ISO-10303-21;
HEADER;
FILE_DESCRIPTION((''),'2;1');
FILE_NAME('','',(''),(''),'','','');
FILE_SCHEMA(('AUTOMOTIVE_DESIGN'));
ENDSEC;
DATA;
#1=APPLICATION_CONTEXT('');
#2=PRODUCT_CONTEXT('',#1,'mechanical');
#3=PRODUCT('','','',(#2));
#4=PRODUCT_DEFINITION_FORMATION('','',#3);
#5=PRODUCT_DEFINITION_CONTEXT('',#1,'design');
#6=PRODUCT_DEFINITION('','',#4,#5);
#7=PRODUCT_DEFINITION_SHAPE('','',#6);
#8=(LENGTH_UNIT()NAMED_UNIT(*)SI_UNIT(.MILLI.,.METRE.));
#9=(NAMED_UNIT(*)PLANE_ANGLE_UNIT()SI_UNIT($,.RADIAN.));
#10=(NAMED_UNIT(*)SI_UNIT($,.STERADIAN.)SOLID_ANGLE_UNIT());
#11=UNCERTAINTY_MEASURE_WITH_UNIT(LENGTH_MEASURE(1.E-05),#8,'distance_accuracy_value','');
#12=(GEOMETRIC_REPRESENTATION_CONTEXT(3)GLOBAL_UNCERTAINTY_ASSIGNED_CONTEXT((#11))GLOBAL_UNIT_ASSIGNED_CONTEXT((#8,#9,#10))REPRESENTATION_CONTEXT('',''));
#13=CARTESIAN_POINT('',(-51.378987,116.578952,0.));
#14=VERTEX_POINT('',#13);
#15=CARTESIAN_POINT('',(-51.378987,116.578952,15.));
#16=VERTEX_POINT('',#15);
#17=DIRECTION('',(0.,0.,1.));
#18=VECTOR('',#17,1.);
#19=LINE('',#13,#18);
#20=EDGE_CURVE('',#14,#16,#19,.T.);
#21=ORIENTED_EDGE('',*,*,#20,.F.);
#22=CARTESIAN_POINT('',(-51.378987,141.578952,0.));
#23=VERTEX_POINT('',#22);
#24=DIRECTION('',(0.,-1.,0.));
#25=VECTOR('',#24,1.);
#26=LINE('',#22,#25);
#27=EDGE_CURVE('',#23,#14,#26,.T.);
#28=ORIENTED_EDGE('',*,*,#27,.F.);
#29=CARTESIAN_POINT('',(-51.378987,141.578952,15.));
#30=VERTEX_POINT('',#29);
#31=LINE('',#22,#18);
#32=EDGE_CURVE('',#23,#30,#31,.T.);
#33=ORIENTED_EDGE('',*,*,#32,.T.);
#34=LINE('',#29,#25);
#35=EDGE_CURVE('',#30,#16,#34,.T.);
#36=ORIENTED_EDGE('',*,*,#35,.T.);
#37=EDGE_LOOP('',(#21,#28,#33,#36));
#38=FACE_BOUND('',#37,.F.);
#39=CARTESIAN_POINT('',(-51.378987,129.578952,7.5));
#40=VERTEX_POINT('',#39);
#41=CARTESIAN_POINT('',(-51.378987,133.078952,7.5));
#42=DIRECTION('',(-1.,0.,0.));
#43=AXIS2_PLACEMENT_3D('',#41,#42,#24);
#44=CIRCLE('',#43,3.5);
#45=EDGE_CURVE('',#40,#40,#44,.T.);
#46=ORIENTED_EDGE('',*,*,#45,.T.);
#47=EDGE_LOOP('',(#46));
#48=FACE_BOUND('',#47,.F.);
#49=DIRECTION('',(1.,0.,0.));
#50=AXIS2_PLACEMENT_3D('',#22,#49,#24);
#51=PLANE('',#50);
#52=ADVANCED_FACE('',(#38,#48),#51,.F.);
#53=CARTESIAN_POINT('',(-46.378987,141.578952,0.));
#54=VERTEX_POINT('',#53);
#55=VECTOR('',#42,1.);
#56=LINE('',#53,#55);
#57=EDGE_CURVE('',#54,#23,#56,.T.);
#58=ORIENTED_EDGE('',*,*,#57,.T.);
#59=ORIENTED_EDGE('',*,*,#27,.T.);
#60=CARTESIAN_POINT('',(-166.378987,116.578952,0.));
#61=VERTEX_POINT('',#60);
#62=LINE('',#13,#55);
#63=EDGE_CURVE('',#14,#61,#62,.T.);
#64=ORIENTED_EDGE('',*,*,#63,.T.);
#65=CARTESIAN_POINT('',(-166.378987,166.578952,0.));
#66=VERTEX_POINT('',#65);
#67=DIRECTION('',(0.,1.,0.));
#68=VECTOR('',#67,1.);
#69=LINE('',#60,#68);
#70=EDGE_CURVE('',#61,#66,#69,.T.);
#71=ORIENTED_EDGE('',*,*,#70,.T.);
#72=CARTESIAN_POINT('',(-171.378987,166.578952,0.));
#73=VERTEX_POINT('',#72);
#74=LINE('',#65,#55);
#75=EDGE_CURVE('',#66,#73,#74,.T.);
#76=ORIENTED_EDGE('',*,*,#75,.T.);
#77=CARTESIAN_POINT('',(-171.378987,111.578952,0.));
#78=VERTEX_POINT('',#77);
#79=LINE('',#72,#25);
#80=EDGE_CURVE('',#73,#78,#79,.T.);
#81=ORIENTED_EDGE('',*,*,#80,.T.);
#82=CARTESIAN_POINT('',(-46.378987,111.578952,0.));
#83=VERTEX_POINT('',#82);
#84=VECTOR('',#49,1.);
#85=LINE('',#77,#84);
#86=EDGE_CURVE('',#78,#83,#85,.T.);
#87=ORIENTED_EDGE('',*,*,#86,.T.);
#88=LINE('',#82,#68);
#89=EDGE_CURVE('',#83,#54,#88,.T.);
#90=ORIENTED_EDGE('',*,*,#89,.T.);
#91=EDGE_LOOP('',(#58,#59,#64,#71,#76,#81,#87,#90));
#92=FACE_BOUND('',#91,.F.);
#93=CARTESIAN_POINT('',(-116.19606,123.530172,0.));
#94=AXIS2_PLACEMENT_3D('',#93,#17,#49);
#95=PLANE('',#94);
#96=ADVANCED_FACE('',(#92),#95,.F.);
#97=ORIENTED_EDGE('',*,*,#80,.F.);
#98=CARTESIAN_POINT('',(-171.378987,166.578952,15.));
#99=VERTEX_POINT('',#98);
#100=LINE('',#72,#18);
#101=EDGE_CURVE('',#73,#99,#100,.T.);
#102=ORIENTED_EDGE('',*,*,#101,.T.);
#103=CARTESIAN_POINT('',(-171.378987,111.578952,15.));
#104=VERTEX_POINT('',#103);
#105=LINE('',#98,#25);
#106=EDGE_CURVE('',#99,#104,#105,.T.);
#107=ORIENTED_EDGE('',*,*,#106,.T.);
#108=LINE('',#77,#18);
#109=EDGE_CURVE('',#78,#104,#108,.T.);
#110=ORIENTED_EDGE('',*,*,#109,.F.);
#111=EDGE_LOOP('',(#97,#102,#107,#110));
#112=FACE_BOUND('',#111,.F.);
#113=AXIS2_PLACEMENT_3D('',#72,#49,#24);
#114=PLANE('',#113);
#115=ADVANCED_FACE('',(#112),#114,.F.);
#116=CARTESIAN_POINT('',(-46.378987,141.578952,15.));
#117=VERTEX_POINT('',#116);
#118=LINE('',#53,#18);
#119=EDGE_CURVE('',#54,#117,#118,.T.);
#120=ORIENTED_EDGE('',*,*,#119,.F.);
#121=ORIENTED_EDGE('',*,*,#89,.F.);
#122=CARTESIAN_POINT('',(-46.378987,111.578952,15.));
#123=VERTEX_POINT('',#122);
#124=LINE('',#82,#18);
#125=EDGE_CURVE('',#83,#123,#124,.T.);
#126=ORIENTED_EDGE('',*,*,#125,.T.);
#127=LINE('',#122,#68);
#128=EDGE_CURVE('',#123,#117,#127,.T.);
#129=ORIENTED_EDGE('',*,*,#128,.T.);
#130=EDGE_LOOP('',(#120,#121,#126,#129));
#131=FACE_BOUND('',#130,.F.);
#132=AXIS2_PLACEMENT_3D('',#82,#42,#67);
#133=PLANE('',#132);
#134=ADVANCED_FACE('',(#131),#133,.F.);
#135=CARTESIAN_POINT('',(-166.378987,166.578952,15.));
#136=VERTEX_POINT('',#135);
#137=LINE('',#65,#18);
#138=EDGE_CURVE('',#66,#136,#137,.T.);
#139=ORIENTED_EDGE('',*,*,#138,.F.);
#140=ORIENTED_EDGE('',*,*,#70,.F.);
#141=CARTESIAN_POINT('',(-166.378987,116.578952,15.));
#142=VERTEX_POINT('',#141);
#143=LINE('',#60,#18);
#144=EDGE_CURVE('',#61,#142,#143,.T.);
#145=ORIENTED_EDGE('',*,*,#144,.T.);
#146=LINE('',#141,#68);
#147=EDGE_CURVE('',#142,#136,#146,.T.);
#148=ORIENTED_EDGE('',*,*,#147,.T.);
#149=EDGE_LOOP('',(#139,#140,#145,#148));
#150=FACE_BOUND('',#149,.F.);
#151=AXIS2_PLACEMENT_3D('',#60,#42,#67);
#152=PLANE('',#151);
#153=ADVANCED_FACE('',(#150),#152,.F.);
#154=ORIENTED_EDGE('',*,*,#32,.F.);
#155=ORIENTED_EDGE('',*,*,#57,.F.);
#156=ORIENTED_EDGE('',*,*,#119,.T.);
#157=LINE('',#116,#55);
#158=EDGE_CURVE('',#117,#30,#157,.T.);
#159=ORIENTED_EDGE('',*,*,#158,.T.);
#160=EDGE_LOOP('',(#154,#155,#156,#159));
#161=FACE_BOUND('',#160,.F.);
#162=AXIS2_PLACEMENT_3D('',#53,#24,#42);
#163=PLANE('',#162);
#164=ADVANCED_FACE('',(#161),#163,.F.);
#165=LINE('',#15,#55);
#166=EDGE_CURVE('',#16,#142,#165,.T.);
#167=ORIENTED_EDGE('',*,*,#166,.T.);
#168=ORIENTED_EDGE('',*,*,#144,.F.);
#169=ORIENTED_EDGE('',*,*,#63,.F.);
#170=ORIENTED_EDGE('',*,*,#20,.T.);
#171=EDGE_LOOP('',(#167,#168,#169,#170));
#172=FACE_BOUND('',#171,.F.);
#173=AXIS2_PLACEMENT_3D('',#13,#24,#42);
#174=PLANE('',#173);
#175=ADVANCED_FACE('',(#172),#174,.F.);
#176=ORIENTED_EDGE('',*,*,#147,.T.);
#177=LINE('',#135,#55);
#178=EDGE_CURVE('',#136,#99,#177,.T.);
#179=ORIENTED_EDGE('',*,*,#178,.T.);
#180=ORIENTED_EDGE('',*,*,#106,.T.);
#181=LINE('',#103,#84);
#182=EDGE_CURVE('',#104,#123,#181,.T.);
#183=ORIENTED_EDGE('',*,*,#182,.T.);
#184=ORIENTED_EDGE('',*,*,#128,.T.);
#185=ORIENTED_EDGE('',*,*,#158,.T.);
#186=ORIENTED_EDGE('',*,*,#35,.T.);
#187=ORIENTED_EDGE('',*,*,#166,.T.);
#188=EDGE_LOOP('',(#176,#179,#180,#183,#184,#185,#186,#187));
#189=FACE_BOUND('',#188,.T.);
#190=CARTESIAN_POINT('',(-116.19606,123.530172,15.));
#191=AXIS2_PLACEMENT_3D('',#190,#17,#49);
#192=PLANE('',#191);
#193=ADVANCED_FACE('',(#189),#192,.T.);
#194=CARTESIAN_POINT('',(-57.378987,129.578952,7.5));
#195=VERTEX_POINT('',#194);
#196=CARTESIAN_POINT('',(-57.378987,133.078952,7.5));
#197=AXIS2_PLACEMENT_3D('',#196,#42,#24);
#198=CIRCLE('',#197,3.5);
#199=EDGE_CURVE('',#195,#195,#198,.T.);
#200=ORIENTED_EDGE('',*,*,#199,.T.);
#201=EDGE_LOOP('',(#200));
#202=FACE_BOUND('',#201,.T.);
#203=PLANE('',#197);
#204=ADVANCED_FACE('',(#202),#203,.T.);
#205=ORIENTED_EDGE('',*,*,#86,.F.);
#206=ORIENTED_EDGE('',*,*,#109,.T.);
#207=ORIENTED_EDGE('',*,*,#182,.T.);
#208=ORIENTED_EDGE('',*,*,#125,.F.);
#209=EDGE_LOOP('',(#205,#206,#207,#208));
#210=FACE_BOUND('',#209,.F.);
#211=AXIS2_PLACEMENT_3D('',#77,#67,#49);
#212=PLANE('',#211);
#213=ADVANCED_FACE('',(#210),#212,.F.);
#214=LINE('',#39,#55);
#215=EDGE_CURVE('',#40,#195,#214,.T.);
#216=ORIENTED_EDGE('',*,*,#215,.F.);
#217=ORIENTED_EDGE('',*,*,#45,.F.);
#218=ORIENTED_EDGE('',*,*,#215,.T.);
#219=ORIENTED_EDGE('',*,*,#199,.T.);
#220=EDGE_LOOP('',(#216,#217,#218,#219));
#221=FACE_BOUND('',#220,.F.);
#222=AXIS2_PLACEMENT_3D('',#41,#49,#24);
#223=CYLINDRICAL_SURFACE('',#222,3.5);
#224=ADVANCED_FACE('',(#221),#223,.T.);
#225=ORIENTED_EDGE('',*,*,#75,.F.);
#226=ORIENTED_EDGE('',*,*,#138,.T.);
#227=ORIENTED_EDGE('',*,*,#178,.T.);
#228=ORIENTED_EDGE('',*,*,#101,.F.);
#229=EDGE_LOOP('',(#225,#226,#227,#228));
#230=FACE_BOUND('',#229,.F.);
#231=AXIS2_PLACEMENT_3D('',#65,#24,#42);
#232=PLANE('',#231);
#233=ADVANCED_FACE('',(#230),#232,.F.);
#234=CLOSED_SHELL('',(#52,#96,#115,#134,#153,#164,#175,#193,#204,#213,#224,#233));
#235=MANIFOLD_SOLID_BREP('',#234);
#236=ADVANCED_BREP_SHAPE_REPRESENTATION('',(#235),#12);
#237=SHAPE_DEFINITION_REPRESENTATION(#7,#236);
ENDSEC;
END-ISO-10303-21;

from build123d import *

# Parameters (mm, degrees)
F1_DEPTH = 15
F2_R     = 3.5
F3_DEPTH = 6


with BuildPart() as f1:
    # F0 (on Top) → F1 (new body)
    with BuildSketch(Plane.XY):
        Polygon((-166.378987, 166.578952), (-171.378987, 166.578952), (-171.378987, 111.578952), (-46.378987, 111.578952), (-46.378987, 141.578952), (-51.378987, 141.578952), (-51.378987, 116.578952), (-166.378987, 116.578952), align=None)
    extrude(amount=F1_DEPTH)

    # F2 (on face) → F3 (join)
    with BuildSketch(Plane(origin=(-51.378987, 0, 0), x_dir=(0, -1, 0), z_dir=(-1, 0, 0))):
        with Locations((-133.078952, 7.5)):
            Circle(F2_R)
    extrude(amount=F3_DEPTH)


solid = f1.part
